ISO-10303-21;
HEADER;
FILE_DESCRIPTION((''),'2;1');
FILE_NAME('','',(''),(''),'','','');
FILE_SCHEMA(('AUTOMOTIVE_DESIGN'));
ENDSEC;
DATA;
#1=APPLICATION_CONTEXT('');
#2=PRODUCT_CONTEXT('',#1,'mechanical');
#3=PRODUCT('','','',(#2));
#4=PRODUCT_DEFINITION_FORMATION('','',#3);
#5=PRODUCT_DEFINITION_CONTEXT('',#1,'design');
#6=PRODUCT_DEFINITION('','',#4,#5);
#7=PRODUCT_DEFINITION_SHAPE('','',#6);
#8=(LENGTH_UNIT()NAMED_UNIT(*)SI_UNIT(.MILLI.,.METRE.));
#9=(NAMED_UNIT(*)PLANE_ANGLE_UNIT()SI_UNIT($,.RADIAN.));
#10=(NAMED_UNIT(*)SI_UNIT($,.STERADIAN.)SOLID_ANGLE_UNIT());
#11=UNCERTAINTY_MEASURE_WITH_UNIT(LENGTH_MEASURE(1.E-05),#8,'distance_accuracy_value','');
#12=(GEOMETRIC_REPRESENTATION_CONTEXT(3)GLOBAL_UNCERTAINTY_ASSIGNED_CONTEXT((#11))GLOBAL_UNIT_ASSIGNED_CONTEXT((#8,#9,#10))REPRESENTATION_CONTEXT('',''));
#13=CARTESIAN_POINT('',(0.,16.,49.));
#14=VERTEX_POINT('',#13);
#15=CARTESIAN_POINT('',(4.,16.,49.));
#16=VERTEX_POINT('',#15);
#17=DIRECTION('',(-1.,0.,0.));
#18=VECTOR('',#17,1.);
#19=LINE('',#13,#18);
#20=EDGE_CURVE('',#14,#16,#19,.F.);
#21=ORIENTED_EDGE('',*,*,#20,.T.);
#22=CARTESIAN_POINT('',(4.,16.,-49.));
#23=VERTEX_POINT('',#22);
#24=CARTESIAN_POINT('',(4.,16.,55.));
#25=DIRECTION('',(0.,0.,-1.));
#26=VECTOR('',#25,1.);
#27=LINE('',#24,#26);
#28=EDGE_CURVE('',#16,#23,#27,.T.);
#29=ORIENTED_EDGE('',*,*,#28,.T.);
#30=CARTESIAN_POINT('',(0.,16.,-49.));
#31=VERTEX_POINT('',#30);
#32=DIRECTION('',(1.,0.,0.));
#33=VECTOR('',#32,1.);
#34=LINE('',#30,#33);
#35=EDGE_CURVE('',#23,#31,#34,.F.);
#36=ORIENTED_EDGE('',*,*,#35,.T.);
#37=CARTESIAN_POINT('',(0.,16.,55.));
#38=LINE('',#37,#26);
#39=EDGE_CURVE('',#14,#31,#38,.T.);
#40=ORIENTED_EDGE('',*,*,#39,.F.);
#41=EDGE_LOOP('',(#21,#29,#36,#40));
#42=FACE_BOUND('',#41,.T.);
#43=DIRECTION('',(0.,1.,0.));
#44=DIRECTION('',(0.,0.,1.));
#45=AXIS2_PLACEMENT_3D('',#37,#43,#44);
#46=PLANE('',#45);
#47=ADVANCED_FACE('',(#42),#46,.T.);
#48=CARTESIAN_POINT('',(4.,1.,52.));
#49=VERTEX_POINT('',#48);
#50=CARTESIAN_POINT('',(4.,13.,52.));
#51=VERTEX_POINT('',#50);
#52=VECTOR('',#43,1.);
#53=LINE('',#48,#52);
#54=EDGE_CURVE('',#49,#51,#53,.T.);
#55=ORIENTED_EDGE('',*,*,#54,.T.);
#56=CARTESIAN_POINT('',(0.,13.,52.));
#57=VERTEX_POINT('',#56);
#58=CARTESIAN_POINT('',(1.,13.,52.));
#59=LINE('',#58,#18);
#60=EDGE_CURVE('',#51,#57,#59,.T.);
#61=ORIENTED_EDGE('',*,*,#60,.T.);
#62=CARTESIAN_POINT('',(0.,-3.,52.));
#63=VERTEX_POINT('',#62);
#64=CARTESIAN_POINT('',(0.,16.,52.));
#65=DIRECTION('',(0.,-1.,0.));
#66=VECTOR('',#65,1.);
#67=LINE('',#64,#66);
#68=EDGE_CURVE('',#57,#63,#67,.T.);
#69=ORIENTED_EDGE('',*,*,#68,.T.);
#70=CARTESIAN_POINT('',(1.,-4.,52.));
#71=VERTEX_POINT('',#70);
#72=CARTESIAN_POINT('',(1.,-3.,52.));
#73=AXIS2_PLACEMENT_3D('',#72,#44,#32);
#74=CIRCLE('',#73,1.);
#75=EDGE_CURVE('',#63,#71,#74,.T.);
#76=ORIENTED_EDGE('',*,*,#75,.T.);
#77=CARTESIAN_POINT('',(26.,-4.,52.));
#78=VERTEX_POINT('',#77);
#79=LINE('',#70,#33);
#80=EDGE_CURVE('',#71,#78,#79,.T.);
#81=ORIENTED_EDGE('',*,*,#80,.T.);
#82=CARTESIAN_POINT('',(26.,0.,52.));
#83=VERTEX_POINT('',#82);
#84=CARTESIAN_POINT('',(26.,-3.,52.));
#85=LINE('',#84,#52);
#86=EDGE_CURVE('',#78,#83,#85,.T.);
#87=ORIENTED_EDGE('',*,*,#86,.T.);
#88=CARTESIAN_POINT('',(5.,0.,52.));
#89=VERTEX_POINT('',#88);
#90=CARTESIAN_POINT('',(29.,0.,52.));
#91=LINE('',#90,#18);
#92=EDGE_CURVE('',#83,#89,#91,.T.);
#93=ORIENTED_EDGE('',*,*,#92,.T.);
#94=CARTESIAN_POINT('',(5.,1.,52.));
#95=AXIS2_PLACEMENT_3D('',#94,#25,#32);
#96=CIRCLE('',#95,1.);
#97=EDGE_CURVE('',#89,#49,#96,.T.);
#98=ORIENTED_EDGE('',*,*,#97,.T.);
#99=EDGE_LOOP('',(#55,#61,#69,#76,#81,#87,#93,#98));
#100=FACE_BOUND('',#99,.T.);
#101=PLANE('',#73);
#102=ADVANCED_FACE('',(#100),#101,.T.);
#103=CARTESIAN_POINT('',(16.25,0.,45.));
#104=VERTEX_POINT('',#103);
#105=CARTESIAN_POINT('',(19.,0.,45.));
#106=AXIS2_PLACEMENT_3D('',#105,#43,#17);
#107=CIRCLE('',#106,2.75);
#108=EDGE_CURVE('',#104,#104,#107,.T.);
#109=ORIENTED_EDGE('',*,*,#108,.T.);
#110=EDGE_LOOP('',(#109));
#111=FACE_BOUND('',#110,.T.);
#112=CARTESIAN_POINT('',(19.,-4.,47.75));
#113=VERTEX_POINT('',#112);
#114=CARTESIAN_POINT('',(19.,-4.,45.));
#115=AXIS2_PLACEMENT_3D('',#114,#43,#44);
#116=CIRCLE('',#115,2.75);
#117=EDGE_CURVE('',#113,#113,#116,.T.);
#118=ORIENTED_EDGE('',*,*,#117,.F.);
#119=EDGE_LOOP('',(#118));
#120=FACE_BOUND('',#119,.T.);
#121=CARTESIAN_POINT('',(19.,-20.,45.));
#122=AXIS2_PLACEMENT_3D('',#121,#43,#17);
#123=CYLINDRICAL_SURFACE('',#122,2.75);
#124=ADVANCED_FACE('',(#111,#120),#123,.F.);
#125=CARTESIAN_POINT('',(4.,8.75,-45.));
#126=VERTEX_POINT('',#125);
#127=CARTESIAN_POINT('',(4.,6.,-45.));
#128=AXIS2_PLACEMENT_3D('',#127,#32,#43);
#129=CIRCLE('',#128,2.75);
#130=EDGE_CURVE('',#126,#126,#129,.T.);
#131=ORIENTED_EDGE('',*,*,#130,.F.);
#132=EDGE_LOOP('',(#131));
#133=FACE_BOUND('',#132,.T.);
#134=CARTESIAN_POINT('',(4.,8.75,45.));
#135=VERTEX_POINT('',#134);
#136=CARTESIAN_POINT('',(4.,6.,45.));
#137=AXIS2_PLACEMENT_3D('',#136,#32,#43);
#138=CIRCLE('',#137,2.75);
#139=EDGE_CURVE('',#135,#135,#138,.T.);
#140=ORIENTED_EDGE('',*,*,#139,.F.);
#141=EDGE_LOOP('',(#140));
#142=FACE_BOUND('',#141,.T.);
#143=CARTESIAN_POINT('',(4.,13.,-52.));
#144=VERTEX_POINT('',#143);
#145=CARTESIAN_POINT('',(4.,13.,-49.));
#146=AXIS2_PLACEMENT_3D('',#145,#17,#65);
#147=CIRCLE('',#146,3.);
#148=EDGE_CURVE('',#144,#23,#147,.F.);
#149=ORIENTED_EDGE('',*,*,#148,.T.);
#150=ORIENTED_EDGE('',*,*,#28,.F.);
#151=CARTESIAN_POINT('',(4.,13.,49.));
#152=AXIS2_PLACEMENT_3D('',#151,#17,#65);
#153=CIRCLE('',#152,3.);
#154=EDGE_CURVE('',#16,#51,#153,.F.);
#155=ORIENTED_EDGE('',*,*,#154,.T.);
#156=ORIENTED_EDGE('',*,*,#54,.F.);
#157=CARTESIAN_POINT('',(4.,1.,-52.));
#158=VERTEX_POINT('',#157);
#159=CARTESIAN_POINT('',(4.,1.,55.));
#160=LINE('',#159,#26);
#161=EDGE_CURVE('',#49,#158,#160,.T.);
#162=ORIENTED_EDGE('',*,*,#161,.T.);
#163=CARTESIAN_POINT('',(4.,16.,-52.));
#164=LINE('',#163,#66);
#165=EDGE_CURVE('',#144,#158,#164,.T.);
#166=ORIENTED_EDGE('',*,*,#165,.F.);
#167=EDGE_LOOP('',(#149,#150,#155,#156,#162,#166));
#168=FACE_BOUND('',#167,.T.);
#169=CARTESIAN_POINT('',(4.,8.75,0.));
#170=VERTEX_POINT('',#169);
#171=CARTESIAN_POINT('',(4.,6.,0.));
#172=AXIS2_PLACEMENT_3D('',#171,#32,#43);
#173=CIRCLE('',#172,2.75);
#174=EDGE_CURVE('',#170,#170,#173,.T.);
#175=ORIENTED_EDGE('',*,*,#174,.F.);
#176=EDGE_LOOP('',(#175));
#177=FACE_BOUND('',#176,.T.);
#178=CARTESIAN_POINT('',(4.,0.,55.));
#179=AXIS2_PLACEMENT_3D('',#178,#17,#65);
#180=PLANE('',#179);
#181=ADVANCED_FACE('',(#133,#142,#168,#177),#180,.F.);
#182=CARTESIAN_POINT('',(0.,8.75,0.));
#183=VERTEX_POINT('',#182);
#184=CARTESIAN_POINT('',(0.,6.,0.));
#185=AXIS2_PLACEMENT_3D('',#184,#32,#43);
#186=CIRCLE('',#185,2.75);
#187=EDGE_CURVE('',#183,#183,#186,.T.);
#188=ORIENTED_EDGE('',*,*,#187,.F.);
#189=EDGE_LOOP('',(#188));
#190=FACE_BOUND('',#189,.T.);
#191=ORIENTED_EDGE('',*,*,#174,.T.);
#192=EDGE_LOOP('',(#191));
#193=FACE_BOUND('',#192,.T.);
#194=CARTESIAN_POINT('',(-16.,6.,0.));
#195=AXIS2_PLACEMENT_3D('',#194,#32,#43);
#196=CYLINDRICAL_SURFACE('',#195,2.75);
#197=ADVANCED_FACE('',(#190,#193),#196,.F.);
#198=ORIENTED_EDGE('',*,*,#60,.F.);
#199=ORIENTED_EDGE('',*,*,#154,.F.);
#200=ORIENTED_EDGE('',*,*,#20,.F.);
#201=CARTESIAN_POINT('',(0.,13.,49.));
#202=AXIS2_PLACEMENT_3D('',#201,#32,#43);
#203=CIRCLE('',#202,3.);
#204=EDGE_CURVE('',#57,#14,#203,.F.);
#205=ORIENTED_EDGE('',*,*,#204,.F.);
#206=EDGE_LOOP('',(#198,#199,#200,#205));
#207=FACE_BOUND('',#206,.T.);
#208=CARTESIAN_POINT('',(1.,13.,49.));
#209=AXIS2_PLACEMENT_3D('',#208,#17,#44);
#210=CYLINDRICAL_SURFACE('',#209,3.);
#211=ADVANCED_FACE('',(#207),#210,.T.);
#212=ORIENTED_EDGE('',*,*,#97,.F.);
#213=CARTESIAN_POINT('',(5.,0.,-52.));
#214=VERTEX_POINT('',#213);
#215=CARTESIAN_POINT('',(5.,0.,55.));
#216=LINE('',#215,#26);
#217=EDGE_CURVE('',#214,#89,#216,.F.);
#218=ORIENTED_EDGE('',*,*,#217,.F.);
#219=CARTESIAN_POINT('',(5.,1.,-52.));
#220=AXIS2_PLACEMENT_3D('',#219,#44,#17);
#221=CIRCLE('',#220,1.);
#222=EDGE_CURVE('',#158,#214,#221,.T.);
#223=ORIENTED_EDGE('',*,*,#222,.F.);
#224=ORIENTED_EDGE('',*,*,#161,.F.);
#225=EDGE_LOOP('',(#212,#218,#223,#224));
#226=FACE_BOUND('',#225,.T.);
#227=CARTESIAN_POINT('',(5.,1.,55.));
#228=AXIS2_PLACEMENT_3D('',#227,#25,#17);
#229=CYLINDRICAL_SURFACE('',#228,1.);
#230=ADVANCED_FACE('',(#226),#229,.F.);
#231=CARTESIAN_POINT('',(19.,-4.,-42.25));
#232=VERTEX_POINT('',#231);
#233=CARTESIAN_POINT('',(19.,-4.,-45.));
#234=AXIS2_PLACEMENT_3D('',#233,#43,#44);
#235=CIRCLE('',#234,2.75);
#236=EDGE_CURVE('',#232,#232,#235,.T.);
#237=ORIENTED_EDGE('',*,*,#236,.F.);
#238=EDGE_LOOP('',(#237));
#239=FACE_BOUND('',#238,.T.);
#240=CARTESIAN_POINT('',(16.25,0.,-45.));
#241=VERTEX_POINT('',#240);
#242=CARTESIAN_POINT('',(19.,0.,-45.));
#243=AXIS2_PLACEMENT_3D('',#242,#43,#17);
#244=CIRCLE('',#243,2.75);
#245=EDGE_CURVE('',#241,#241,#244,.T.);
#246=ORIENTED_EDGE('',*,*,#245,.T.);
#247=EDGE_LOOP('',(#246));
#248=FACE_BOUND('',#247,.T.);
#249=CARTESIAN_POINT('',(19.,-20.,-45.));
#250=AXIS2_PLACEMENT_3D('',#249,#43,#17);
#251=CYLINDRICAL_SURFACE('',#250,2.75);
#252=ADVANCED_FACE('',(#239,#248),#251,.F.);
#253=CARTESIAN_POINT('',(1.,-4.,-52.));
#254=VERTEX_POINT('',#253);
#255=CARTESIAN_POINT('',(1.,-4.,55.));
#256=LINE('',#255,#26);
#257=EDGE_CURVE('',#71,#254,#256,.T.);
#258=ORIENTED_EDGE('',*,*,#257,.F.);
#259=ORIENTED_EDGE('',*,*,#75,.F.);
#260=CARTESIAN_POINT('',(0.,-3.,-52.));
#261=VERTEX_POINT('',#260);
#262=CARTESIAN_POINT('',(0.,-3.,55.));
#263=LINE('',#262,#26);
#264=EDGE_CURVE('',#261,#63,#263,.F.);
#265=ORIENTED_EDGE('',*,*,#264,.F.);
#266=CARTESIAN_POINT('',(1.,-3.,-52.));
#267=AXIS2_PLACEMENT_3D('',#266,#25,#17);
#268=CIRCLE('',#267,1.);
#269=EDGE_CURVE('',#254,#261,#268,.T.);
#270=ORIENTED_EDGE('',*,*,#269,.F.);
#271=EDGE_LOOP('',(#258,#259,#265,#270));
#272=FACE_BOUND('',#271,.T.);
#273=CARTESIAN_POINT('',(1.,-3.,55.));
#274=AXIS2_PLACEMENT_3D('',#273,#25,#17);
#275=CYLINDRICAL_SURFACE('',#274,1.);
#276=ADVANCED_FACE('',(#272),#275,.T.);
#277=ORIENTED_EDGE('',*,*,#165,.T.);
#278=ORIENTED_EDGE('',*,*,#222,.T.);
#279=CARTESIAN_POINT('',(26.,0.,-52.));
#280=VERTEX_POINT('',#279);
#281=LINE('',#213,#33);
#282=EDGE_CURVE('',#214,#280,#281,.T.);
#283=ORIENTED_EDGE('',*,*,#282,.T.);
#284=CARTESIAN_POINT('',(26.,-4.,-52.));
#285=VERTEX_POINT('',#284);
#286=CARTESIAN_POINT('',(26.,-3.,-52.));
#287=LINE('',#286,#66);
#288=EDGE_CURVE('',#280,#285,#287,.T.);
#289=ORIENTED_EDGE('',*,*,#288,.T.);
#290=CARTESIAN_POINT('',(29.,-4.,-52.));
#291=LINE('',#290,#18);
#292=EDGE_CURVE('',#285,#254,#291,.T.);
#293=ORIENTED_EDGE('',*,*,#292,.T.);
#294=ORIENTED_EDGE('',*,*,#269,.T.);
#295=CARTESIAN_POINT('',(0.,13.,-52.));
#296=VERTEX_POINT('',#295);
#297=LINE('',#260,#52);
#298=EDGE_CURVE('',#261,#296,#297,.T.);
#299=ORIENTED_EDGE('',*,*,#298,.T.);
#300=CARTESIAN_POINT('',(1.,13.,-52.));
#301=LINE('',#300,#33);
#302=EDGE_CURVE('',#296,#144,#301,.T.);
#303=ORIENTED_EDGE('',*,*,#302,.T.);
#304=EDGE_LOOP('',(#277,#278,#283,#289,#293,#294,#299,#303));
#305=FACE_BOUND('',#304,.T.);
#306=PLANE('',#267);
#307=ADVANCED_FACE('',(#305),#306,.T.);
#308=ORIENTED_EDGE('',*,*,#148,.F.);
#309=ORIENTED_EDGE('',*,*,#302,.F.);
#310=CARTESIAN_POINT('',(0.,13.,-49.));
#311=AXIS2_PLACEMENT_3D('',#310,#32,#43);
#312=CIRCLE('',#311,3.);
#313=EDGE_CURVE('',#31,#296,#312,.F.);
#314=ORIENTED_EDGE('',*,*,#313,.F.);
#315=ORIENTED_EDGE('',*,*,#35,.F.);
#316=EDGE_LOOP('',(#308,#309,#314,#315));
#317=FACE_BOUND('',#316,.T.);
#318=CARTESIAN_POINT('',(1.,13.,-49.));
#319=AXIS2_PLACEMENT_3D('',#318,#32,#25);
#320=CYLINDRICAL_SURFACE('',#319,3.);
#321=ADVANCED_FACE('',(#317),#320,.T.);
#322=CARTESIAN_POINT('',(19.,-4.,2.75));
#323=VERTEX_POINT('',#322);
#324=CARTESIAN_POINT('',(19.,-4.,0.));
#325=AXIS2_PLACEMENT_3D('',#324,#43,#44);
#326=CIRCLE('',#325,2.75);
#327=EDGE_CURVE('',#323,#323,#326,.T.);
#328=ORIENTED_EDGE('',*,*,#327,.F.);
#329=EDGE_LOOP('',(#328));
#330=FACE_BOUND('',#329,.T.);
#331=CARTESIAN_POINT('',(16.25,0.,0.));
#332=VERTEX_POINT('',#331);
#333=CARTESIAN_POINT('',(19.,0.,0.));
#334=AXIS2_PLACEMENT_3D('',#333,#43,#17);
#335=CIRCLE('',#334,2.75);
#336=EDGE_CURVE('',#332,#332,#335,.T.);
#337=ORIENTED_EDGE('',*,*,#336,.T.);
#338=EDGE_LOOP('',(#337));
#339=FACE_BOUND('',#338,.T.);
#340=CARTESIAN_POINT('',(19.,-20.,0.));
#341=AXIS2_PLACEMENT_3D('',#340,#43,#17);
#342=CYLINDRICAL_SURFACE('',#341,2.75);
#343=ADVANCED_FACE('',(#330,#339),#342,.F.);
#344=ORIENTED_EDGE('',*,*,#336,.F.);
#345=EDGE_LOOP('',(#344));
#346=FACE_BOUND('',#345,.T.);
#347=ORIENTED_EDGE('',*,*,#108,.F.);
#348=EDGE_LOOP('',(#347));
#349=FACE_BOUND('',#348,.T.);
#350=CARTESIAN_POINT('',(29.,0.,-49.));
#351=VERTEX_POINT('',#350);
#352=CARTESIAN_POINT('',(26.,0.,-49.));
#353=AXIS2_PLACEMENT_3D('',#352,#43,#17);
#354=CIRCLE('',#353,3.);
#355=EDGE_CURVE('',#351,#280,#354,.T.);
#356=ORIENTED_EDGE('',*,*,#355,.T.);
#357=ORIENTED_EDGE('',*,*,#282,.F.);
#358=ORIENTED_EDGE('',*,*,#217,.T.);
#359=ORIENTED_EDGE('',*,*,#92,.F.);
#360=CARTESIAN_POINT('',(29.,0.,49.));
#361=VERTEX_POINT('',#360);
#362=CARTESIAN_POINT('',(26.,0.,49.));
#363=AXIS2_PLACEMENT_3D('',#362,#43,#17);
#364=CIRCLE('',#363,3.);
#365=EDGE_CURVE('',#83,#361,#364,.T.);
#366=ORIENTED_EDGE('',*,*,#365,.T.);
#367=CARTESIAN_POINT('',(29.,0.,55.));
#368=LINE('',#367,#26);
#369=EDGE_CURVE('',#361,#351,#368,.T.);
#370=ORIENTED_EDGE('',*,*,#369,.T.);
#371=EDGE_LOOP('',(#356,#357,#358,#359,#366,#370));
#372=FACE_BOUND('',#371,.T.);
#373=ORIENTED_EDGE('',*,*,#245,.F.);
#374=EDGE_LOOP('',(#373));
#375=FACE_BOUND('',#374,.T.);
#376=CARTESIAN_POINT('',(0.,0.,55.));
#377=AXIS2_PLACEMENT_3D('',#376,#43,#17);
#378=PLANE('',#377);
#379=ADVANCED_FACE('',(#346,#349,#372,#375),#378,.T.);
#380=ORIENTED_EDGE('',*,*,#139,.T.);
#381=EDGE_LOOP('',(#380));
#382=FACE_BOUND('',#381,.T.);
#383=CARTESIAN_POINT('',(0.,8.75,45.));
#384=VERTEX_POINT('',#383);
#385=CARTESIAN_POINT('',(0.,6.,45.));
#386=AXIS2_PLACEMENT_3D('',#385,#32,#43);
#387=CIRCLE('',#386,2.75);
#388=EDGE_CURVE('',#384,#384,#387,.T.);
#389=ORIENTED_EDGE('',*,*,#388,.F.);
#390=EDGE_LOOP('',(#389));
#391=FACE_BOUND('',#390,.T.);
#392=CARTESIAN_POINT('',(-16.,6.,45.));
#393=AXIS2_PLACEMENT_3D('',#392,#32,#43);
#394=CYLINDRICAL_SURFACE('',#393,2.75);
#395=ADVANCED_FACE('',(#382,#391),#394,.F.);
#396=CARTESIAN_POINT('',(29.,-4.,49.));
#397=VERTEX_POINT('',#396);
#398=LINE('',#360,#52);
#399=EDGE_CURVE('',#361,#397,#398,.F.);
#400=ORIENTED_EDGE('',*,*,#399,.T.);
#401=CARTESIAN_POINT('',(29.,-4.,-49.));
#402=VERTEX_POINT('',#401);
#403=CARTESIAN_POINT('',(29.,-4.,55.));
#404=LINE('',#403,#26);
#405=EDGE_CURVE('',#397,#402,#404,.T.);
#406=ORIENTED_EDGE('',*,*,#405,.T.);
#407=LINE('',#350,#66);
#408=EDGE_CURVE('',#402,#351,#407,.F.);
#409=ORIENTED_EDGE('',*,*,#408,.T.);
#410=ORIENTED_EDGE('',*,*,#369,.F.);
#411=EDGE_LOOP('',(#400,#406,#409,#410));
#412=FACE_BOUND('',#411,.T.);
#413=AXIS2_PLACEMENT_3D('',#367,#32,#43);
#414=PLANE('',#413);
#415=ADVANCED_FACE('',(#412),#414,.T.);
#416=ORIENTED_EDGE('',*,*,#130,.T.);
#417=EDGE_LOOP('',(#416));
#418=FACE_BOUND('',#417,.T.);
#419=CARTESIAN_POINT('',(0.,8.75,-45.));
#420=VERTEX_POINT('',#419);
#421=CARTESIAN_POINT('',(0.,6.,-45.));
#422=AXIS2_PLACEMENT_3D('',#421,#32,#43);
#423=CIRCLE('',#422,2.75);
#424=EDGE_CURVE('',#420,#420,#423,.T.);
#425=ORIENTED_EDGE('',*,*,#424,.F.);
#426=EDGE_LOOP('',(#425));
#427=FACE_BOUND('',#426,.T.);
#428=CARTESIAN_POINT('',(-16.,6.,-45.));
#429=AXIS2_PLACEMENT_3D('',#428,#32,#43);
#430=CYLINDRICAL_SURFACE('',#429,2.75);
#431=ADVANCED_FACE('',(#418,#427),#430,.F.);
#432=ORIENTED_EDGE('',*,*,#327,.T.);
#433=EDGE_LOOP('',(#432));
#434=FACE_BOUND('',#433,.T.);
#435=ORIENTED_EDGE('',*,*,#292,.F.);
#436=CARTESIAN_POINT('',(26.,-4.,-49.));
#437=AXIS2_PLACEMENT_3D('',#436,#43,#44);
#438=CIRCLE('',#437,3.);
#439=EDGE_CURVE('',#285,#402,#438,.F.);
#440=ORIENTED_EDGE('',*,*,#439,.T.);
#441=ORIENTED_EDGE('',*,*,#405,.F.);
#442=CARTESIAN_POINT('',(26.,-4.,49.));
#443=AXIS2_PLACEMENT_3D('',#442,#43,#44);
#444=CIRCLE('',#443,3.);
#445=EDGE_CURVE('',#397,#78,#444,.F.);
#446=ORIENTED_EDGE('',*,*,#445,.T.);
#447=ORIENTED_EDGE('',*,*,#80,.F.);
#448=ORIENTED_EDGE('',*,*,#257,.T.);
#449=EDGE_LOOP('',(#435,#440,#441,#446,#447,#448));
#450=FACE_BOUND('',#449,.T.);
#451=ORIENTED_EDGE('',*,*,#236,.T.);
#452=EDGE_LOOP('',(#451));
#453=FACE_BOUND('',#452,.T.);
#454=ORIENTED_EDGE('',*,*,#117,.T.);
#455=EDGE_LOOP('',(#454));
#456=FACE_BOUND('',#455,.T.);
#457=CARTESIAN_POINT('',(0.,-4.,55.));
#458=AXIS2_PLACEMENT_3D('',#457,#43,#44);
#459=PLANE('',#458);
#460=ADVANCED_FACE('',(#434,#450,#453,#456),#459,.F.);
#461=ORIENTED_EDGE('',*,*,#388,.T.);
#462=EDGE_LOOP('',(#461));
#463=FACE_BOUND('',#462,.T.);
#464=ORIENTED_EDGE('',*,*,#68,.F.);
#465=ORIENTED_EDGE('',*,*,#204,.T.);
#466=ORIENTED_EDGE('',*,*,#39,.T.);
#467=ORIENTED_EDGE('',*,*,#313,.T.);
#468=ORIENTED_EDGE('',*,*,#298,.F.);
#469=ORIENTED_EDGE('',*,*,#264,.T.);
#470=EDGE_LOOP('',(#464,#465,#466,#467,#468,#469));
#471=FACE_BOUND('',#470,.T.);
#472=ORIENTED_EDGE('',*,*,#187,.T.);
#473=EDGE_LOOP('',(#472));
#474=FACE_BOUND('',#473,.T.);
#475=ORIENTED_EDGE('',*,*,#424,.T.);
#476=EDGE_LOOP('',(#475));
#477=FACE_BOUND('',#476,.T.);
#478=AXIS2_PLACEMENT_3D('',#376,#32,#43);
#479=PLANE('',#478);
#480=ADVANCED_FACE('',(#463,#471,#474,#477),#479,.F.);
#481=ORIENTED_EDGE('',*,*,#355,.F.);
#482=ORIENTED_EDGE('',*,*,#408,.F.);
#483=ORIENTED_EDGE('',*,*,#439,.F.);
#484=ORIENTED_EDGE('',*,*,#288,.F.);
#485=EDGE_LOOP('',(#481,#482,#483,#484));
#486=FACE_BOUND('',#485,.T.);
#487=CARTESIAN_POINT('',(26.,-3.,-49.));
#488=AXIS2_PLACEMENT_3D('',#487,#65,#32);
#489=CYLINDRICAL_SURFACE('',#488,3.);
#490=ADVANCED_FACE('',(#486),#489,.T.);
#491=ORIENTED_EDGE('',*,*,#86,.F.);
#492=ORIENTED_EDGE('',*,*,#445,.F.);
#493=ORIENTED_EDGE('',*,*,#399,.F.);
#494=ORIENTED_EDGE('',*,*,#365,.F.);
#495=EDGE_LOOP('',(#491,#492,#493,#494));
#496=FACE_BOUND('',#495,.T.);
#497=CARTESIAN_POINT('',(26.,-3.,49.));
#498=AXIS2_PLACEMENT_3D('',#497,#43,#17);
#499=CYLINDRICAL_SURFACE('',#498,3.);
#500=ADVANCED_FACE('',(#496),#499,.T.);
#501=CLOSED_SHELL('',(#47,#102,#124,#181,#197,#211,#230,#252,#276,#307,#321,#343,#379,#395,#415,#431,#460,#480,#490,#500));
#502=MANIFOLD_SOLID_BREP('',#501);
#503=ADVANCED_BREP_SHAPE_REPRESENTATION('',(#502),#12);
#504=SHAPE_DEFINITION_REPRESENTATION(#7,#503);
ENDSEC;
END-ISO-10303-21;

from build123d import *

# Parameters (mm, degrees)
SKETCH_1_W          = 29
SKETCH_1_H          = 4
SKETCH_1_W_2        = 4
SKETCH_1_H_2        = 16
EXTRUDE_1_DEPTH     = 55
SKETCH_3_R          = 2.75
CUT_EXTRUDE_3_DEPTH = 20
SKETCH_2_R          = 2.75
CUT_EXTRUDE_4_DEPTH = 20
FILLET_2_R          = 1
CUT_EXTRUDE_START   = -3
CUT_EXTRUDE_5_DEPTH = 3
CUT_EXTRUDE_6_DEPTH = 3
FILLET_3_R          = 3


with BuildPart() as part:
    # 스케치1 → 보스-돌출1 (new, symmetric)
    with BuildSketch(Plane.XY):
        with Locations((14.5, -2)):
            Rectangle(SKETCH_1_W, SKETCH_1_H)
        with Locations((2, 8)):
            Rectangle(SKETCH_1_W_2, SKETCH_1_H_2)
    extrude(amount=EXTRUDE_1_DEPTH, both=True)

    # 스케치3 → 컷-돌출3 (cut)
    with BuildSketch(Plane(origin=(4, 0, 0), x_dir=(0, 0, -1), z_dir=(1, 0, 0))):
        with Locations(Location((0, 6, 0), (0, 0, 90))):
            Circle(SKETCH_3_R)
        with Locations(Location((-45, 6, 0), (0, 0, 90))):
            Circle(SKETCH_3_R)
        with Locations(Location((45, 6, 0), (0, 0, 90))):
            Circle(SKETCH_3_R)
    extrude(amount=-CUT_EXTRUDE_3_DEPTH, mode=Mode.SUBTRACT)

    # 스케치2 → 컷-돌출4 (cut)
    with BuildSketch(Plane(origin=(0, 0, 0), x_dir=(1, 0, 0), z_dir=(0, 1, 0))):
        with Locations(Location((19, 0, 0), (0, 0, 180))):
            Circle(SKETCH_2_R)
        with Locations(Location((19, -45, 0), (0, 0, 180))):
            Circle(SKETCH_2_R)
        with Locations(Location((19, 45, 0), (0, 0, 180))):
            Circle(SKETCH_2_R)
    extrude(amount=-CUT_EXTRUDE_4_DEPTH, mode=Mode.SUBTRACT)

    # 필렛2
    fillet_2_edges = [part.edges().sort_by_distance(p)[0] for p in [
        (0, -4, 0),
        (4, 0, 0),
    ]]
    fillet(fillet_2_edges, radius=FILLET_2_R)

    # 스케치4 → 컷-돌출5 (cut)
    with BuildSketch(Plane.XY.offset(55).offset(CUT_EXTRUDE_START)):
        with BuildLine():
            Line((0, 16), (0, -3))
            ThreePointArc((0, -3), (0.292893219, -3.707106781), (1, -4))
            Line((1, -4), (29, -4))
            Line((29, -4), (29, 0))
            Line((29, 0), (5, 0))
            ThreePointArc((5, 0), (4.292893219, 0.292893219), (4, 1))
            Line((4, 1), (4, 16))
            Line((4, 16), (0, 16))
        make_face()
    extrude(amount=CUT_EXTRUDE_5_DEPTH, mode=Mode.SUBTRACT)

    # 스케치5 → 컷-돌출6 (cut)
    with BuildSketch(Plane(origin=(0, 0, -55), x_dir=(-1, 0, 0), z_dir=(0, 0, -1))):
        with BuildLine():
            Line((-29, -4), (-1, -4))
            ThreePointArc((-1, -4), (-0.292893219, -3.707106781), (0, -3))
            Line((0, -3), (0, 16))
            Line((0, 16), (-4, 16))
            Line((-4, 16), (-4, 1))
            ThreePointArc((-4, 1), (-4.292893219, 0.292893219), (-5, 0))
            Line((-5, 0), (-29, 0))
            Line((-29, 0), (-29, -4))
        make_face()
    extrude(amount=-CUT_EXTRUDE_6_DEPTH, mode=Mode.SUBTRACT)

    # 필렛3
    fillet_3_edges = [part.edges().sort_by_distance(p)[0] for p in [
        (29, -2, -52),
        (2, 16, -52),
        (2, 16, 52),
        (29, -2, 52),
    ]]
    fillet(fillet_3_edges, radius=FILLET_3_R)


solid = part.part
